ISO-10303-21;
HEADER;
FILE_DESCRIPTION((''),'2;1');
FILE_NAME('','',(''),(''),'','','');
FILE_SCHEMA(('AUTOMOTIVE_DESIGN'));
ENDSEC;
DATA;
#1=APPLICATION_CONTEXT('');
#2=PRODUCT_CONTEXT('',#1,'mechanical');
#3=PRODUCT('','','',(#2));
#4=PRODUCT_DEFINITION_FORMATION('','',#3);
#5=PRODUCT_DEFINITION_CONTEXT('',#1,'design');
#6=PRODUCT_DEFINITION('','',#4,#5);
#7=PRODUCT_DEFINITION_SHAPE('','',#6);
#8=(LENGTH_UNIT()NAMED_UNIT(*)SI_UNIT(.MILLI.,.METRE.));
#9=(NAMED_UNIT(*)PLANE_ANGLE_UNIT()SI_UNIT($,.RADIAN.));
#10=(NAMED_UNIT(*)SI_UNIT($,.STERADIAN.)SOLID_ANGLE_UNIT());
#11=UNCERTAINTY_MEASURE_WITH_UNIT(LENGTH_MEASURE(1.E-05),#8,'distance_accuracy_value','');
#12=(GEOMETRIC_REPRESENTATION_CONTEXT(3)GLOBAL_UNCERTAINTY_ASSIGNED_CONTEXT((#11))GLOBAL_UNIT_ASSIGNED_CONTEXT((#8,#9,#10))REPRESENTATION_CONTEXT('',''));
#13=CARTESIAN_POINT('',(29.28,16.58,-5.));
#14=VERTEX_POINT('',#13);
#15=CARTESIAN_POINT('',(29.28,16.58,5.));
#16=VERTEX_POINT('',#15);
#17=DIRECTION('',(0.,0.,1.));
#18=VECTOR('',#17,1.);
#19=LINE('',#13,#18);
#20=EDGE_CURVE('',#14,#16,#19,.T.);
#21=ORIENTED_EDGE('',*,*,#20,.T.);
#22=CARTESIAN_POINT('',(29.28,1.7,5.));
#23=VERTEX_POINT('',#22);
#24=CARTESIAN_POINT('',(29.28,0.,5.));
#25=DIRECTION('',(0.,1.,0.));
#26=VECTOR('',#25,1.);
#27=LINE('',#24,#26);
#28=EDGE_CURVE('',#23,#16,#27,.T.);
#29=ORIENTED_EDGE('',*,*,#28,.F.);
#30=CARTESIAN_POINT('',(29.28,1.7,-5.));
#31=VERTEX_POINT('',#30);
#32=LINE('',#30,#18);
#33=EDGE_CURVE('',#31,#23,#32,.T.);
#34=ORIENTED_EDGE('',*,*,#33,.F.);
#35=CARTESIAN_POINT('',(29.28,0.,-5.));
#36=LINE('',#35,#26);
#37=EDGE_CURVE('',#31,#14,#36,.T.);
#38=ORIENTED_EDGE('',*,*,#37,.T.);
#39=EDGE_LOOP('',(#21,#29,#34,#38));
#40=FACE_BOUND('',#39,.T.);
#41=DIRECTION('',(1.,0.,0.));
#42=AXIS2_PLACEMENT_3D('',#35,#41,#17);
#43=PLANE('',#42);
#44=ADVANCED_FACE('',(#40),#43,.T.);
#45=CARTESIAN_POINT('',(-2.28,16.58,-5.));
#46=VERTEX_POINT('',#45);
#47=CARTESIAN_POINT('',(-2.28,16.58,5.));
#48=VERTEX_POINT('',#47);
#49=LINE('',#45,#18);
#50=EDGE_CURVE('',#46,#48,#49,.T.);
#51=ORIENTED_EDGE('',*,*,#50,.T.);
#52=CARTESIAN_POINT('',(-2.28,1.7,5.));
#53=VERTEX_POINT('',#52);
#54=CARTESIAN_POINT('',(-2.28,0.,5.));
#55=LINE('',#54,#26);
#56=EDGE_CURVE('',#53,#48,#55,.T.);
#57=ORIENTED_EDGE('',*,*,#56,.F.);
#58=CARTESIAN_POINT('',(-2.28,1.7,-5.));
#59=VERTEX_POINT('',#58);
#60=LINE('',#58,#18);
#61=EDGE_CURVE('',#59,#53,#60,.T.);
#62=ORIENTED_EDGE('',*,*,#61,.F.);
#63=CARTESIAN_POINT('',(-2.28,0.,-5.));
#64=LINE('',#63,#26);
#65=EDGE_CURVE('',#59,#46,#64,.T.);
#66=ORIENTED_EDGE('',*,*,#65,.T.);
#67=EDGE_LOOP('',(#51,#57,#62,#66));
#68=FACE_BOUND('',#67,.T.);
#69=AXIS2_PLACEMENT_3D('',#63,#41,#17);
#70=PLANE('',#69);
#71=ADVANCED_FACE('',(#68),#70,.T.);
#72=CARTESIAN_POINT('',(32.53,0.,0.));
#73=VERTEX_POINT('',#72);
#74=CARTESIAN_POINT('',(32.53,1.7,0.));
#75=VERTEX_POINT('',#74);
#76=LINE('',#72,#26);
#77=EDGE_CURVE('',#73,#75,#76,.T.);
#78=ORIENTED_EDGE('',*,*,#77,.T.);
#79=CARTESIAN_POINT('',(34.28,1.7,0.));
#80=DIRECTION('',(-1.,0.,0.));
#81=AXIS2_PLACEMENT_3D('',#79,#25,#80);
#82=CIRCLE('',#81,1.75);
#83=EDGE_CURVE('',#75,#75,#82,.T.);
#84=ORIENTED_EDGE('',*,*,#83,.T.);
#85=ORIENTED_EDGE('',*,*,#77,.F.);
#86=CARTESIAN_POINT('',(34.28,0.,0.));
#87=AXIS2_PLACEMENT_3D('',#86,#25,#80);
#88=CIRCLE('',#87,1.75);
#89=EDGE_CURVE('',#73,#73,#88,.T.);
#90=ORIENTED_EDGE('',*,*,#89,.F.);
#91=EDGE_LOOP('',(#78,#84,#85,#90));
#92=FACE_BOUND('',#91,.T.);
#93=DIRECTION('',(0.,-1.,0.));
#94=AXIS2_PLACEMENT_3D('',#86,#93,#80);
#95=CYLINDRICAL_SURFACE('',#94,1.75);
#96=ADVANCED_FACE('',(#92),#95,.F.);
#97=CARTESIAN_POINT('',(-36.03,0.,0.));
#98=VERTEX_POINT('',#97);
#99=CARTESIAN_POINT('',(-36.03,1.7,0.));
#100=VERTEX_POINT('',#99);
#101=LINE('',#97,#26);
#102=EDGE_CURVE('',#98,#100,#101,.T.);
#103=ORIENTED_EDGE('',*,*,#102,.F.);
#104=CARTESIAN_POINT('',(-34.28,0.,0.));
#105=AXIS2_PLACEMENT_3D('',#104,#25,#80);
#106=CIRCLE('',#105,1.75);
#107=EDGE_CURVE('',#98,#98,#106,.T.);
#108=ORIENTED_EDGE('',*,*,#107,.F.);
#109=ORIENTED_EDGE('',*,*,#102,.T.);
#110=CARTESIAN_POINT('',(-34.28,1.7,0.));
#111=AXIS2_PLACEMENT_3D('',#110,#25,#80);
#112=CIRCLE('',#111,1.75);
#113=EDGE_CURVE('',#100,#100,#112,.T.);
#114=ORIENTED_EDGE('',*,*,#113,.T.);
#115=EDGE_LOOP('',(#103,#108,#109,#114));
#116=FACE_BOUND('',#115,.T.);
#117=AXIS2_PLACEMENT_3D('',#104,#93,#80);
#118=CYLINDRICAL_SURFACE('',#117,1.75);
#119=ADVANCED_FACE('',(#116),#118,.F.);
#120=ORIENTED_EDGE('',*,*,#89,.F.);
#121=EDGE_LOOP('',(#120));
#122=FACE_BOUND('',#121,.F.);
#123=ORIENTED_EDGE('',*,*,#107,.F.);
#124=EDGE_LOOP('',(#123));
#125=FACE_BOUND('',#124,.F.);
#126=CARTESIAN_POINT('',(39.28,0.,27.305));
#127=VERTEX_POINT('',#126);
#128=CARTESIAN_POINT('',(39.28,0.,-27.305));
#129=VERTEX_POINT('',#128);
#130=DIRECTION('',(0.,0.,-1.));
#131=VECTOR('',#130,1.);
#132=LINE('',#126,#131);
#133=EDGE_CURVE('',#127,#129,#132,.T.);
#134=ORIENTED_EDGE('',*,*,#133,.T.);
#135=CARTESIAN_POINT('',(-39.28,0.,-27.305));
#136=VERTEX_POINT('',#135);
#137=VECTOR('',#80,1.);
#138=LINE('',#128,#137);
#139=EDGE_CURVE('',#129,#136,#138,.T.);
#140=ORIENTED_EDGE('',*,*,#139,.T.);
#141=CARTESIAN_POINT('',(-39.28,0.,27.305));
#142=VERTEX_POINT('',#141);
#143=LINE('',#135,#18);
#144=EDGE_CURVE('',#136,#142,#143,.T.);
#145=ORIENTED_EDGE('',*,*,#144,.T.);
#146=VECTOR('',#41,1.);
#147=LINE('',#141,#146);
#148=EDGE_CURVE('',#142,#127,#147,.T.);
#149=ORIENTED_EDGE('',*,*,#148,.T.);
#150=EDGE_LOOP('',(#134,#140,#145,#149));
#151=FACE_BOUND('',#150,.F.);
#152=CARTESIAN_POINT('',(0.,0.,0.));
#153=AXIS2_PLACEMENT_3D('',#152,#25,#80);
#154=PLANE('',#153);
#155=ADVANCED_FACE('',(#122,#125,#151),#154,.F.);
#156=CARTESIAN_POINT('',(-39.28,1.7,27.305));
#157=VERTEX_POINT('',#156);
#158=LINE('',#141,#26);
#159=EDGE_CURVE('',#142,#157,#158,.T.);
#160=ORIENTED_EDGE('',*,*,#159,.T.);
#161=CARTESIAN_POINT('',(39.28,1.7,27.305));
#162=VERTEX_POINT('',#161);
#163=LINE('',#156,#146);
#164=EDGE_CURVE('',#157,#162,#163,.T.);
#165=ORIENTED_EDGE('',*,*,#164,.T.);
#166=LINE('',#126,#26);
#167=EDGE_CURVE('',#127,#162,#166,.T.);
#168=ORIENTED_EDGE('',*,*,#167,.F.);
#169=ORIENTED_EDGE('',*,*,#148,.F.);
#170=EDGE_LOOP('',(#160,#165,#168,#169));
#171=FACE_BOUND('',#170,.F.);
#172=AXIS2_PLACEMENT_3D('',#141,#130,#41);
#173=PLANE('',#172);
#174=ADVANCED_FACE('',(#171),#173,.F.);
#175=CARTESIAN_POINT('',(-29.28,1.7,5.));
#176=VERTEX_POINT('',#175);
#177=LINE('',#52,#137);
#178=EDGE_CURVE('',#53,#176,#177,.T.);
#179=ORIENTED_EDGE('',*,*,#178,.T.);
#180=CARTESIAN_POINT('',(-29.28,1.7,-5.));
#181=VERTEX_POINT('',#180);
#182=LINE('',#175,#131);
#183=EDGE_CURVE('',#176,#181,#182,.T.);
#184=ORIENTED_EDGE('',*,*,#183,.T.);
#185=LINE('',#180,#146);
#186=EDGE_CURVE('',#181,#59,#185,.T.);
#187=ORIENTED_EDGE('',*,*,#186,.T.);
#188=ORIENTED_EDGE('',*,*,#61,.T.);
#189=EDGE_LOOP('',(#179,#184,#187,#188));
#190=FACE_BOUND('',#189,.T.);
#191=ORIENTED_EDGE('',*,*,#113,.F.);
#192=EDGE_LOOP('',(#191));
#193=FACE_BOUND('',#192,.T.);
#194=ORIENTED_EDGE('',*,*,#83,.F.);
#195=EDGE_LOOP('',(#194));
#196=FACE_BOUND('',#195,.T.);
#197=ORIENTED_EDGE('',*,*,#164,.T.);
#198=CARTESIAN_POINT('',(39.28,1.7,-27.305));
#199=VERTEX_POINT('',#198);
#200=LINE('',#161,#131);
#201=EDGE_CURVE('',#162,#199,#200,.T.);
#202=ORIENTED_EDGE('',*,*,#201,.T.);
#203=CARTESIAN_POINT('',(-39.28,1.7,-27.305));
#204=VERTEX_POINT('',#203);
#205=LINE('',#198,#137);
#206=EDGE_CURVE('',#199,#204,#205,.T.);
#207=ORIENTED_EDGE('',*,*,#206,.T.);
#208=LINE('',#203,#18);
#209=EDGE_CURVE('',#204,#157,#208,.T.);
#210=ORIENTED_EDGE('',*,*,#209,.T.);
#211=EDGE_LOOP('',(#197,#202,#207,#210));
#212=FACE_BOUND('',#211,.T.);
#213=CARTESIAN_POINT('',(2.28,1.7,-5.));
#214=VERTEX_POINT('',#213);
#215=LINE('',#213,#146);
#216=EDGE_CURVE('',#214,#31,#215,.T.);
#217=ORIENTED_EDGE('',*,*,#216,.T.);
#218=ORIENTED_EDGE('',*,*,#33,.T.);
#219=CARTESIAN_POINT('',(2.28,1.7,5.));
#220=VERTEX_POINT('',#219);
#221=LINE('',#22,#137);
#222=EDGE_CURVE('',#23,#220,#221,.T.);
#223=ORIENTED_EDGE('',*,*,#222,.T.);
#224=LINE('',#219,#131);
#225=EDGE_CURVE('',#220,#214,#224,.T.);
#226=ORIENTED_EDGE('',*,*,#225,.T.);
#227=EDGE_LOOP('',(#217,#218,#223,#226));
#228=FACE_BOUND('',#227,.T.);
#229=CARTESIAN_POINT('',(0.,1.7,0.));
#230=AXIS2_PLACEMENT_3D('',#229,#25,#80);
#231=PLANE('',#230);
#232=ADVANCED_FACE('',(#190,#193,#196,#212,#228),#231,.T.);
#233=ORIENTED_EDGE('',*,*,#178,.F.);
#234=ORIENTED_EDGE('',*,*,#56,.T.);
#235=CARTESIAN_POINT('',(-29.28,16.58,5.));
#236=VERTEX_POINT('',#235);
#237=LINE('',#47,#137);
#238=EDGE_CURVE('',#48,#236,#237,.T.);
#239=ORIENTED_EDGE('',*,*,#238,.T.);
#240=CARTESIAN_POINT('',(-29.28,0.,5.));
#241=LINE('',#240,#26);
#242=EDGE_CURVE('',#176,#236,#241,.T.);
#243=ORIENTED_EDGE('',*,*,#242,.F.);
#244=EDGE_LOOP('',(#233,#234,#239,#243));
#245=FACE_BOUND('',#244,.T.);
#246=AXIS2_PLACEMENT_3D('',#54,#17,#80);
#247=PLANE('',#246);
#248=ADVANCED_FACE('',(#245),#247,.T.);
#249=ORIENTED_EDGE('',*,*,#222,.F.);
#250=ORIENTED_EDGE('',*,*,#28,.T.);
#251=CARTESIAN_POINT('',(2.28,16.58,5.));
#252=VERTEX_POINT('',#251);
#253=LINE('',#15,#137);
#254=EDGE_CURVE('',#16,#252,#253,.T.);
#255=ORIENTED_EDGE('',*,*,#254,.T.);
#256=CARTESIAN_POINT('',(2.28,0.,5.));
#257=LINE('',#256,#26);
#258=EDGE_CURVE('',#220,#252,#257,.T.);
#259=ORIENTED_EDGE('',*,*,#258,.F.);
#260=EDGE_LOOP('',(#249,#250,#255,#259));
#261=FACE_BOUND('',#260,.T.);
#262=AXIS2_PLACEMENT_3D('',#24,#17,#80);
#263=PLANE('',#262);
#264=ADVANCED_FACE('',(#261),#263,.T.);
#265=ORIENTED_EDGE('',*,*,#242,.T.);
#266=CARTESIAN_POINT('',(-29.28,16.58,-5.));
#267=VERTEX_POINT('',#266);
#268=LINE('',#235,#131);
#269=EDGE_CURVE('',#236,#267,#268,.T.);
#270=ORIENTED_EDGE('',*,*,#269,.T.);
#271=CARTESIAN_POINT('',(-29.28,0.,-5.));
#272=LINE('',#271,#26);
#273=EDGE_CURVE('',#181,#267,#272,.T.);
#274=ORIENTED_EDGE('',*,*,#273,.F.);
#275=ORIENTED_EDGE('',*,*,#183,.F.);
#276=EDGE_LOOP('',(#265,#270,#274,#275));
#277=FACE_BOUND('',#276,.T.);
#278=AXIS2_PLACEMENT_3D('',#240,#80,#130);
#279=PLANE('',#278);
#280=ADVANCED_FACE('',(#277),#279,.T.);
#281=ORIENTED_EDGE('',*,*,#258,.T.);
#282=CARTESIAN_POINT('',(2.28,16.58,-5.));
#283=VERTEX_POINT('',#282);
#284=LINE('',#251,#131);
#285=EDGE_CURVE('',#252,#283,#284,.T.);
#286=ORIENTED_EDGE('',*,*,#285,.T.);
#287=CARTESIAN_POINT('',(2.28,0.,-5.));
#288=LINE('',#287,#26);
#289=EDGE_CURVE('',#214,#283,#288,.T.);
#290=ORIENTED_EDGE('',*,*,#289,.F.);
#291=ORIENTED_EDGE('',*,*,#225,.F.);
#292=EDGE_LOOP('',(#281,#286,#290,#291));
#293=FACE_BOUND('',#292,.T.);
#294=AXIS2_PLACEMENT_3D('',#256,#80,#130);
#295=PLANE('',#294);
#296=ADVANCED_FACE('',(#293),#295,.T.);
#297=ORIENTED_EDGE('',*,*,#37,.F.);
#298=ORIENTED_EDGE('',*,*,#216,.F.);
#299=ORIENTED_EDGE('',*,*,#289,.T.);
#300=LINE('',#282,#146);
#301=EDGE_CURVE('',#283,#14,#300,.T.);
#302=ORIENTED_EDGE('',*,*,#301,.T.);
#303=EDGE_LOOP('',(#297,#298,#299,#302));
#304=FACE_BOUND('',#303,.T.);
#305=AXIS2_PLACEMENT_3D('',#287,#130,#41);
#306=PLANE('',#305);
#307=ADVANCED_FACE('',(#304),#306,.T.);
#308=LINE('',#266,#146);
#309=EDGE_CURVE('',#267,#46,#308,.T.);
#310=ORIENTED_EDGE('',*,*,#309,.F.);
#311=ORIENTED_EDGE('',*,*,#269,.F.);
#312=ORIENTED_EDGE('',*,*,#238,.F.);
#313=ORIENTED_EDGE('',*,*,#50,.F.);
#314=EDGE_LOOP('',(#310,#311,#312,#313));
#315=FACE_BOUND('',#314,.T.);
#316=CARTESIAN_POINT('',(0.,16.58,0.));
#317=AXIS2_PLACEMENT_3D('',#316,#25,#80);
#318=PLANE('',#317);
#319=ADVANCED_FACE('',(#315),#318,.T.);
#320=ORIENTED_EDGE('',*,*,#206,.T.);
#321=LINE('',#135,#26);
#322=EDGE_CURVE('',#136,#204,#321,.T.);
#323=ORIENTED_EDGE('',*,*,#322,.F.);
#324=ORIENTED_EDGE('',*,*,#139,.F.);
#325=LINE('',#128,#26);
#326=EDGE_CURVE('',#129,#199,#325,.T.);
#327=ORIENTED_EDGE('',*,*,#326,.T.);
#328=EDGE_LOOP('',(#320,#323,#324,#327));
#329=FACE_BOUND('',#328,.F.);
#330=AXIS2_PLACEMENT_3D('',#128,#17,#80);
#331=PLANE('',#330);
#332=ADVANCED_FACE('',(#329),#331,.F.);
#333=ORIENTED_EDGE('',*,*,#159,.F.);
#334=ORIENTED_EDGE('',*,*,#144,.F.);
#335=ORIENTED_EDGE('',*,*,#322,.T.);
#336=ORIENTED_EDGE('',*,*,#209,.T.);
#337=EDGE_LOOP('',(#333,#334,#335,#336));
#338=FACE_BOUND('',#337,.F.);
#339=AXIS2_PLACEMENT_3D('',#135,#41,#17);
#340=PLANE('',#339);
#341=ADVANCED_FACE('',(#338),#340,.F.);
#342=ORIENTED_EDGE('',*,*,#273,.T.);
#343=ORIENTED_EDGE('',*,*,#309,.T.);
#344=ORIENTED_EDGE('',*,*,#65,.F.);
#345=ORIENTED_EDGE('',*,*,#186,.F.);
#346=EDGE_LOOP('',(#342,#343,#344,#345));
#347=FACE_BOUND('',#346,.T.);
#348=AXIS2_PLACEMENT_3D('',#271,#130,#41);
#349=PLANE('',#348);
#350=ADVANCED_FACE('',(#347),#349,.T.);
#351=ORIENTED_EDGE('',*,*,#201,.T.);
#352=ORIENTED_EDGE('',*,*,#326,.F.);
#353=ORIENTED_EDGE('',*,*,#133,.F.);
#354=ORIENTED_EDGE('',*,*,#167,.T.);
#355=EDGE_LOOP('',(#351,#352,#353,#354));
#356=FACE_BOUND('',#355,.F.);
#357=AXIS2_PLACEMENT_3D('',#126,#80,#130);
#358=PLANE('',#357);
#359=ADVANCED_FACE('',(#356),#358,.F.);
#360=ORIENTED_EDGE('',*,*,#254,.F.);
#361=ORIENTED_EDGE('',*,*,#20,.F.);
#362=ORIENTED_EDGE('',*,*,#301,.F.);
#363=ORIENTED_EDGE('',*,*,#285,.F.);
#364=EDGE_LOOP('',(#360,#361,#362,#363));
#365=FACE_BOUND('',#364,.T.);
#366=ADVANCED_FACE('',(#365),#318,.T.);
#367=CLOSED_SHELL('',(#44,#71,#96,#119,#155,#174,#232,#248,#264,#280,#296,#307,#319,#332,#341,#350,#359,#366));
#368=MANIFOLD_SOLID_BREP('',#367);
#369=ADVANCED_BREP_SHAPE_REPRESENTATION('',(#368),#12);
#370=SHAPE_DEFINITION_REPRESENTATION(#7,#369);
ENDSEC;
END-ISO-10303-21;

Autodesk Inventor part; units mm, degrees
ref_plane "YZ Plane" through (0, 0, 0) normal (1, 0, 0) x (0, 1, 0)
ref_plane "XZ Plane" through (0, 0, 0) normal (0, 1, 0) x (-1, 0, 0)
ref_plane "XY Plane" through (0, 0, 0) normal (0, 0, 1) x (1, 0, 0)
sketch "Sketch1" plane through (0, 0, 0) normal (0, 1, 0) x (-1, 0, 0)
  line L0 (39.28, 27.305) -> (-39.28, 27.305)
  line L1 (-39.28, 27.305) -> (-39.28, -27.305)
  line L2 (-39.28, -27.305) -> (39.28, -27.305)
  line L3 (39.28, -27.305) -> (39.28, 27.305)
  line L4 (39.28, 27.305) -> (-39.28, -27.305) construction
  line L5 (-39.28, 27.305) -> (39.28, -27.305) construction
  circle A0 centre (-34.28, 0) radius 1.75
  circle A1 centre (34.28, 0) radius 1.75
  line L6 (29.28, -5) -> (2.28, -5)
  line L7 (2.28, -5) -> (2.28, 5)
  line L8 (2.28, 5) -> (29.28, 5)
  line L9 (29.28, 5) -> (29.28, -5)
  line L10 (29.28, -5) -> (2.28, 5) construction
  line L11 (2.28, -5) -> (29.28, 5) construction
  line L12 (-29.28, 5) -> (-2.28, 5)
  line L13 (-2.28, 5) -> (-2.28, -5)
  line L14 (-2.28, -5) -> (-29.28, -5)
  line L15 (-29.28, -5) -> (-29.28, 5)
  line L16 (-29.28, 5) -> (-2.28, -5) construction
  line L17 (-2.28, 5) -> (-29.28, -5) construction
  point P0 (0, 0)
  point P1 (15.78, 0)
  point P2 (-15.78, 0)
  dimension "d0" = 78.56
  dimension "d1" = 54.61
  dimension "d2" = 3.5
  dimension "d3" = 5
  dimension "d4" = 3.5
  dimension "d5" = 5
  dimension "d6" = 27
  dimension "d7" = 10
  dimension "d8" = 5
  dimension "d9" = 27
  dimension "d10" = 10
  dimension "d11" = 5
  dimension "d16" = 68.56
extrude "Extrusion1" add sketch "Sketch1" along normal blind 1.7
extrude "Extrusion2" add sketch "Sketch1" along normal blind 16.58 contours L6 L7 L8 L9 | L12 L13 L14 L15
sketch "Sketch2" plane through (0, 1.7, 0) normal (0, 1, 0) x (1, 0, 0)
  line L0 (-13.9986, -11.26) -> (17.2433, -11.26) construction
  line L1 (17.2433, -11.26) -> (17.2433, -14.9075) construction
  line L2 (17.2433, -14.9075) -> (-13.9986, -14.9075) construction
  line L3 (-13.9986, -14.9075) -> (-13.9986, -11.26) construction
  point P0 (0, 0)
properties part number "powerdiset"
